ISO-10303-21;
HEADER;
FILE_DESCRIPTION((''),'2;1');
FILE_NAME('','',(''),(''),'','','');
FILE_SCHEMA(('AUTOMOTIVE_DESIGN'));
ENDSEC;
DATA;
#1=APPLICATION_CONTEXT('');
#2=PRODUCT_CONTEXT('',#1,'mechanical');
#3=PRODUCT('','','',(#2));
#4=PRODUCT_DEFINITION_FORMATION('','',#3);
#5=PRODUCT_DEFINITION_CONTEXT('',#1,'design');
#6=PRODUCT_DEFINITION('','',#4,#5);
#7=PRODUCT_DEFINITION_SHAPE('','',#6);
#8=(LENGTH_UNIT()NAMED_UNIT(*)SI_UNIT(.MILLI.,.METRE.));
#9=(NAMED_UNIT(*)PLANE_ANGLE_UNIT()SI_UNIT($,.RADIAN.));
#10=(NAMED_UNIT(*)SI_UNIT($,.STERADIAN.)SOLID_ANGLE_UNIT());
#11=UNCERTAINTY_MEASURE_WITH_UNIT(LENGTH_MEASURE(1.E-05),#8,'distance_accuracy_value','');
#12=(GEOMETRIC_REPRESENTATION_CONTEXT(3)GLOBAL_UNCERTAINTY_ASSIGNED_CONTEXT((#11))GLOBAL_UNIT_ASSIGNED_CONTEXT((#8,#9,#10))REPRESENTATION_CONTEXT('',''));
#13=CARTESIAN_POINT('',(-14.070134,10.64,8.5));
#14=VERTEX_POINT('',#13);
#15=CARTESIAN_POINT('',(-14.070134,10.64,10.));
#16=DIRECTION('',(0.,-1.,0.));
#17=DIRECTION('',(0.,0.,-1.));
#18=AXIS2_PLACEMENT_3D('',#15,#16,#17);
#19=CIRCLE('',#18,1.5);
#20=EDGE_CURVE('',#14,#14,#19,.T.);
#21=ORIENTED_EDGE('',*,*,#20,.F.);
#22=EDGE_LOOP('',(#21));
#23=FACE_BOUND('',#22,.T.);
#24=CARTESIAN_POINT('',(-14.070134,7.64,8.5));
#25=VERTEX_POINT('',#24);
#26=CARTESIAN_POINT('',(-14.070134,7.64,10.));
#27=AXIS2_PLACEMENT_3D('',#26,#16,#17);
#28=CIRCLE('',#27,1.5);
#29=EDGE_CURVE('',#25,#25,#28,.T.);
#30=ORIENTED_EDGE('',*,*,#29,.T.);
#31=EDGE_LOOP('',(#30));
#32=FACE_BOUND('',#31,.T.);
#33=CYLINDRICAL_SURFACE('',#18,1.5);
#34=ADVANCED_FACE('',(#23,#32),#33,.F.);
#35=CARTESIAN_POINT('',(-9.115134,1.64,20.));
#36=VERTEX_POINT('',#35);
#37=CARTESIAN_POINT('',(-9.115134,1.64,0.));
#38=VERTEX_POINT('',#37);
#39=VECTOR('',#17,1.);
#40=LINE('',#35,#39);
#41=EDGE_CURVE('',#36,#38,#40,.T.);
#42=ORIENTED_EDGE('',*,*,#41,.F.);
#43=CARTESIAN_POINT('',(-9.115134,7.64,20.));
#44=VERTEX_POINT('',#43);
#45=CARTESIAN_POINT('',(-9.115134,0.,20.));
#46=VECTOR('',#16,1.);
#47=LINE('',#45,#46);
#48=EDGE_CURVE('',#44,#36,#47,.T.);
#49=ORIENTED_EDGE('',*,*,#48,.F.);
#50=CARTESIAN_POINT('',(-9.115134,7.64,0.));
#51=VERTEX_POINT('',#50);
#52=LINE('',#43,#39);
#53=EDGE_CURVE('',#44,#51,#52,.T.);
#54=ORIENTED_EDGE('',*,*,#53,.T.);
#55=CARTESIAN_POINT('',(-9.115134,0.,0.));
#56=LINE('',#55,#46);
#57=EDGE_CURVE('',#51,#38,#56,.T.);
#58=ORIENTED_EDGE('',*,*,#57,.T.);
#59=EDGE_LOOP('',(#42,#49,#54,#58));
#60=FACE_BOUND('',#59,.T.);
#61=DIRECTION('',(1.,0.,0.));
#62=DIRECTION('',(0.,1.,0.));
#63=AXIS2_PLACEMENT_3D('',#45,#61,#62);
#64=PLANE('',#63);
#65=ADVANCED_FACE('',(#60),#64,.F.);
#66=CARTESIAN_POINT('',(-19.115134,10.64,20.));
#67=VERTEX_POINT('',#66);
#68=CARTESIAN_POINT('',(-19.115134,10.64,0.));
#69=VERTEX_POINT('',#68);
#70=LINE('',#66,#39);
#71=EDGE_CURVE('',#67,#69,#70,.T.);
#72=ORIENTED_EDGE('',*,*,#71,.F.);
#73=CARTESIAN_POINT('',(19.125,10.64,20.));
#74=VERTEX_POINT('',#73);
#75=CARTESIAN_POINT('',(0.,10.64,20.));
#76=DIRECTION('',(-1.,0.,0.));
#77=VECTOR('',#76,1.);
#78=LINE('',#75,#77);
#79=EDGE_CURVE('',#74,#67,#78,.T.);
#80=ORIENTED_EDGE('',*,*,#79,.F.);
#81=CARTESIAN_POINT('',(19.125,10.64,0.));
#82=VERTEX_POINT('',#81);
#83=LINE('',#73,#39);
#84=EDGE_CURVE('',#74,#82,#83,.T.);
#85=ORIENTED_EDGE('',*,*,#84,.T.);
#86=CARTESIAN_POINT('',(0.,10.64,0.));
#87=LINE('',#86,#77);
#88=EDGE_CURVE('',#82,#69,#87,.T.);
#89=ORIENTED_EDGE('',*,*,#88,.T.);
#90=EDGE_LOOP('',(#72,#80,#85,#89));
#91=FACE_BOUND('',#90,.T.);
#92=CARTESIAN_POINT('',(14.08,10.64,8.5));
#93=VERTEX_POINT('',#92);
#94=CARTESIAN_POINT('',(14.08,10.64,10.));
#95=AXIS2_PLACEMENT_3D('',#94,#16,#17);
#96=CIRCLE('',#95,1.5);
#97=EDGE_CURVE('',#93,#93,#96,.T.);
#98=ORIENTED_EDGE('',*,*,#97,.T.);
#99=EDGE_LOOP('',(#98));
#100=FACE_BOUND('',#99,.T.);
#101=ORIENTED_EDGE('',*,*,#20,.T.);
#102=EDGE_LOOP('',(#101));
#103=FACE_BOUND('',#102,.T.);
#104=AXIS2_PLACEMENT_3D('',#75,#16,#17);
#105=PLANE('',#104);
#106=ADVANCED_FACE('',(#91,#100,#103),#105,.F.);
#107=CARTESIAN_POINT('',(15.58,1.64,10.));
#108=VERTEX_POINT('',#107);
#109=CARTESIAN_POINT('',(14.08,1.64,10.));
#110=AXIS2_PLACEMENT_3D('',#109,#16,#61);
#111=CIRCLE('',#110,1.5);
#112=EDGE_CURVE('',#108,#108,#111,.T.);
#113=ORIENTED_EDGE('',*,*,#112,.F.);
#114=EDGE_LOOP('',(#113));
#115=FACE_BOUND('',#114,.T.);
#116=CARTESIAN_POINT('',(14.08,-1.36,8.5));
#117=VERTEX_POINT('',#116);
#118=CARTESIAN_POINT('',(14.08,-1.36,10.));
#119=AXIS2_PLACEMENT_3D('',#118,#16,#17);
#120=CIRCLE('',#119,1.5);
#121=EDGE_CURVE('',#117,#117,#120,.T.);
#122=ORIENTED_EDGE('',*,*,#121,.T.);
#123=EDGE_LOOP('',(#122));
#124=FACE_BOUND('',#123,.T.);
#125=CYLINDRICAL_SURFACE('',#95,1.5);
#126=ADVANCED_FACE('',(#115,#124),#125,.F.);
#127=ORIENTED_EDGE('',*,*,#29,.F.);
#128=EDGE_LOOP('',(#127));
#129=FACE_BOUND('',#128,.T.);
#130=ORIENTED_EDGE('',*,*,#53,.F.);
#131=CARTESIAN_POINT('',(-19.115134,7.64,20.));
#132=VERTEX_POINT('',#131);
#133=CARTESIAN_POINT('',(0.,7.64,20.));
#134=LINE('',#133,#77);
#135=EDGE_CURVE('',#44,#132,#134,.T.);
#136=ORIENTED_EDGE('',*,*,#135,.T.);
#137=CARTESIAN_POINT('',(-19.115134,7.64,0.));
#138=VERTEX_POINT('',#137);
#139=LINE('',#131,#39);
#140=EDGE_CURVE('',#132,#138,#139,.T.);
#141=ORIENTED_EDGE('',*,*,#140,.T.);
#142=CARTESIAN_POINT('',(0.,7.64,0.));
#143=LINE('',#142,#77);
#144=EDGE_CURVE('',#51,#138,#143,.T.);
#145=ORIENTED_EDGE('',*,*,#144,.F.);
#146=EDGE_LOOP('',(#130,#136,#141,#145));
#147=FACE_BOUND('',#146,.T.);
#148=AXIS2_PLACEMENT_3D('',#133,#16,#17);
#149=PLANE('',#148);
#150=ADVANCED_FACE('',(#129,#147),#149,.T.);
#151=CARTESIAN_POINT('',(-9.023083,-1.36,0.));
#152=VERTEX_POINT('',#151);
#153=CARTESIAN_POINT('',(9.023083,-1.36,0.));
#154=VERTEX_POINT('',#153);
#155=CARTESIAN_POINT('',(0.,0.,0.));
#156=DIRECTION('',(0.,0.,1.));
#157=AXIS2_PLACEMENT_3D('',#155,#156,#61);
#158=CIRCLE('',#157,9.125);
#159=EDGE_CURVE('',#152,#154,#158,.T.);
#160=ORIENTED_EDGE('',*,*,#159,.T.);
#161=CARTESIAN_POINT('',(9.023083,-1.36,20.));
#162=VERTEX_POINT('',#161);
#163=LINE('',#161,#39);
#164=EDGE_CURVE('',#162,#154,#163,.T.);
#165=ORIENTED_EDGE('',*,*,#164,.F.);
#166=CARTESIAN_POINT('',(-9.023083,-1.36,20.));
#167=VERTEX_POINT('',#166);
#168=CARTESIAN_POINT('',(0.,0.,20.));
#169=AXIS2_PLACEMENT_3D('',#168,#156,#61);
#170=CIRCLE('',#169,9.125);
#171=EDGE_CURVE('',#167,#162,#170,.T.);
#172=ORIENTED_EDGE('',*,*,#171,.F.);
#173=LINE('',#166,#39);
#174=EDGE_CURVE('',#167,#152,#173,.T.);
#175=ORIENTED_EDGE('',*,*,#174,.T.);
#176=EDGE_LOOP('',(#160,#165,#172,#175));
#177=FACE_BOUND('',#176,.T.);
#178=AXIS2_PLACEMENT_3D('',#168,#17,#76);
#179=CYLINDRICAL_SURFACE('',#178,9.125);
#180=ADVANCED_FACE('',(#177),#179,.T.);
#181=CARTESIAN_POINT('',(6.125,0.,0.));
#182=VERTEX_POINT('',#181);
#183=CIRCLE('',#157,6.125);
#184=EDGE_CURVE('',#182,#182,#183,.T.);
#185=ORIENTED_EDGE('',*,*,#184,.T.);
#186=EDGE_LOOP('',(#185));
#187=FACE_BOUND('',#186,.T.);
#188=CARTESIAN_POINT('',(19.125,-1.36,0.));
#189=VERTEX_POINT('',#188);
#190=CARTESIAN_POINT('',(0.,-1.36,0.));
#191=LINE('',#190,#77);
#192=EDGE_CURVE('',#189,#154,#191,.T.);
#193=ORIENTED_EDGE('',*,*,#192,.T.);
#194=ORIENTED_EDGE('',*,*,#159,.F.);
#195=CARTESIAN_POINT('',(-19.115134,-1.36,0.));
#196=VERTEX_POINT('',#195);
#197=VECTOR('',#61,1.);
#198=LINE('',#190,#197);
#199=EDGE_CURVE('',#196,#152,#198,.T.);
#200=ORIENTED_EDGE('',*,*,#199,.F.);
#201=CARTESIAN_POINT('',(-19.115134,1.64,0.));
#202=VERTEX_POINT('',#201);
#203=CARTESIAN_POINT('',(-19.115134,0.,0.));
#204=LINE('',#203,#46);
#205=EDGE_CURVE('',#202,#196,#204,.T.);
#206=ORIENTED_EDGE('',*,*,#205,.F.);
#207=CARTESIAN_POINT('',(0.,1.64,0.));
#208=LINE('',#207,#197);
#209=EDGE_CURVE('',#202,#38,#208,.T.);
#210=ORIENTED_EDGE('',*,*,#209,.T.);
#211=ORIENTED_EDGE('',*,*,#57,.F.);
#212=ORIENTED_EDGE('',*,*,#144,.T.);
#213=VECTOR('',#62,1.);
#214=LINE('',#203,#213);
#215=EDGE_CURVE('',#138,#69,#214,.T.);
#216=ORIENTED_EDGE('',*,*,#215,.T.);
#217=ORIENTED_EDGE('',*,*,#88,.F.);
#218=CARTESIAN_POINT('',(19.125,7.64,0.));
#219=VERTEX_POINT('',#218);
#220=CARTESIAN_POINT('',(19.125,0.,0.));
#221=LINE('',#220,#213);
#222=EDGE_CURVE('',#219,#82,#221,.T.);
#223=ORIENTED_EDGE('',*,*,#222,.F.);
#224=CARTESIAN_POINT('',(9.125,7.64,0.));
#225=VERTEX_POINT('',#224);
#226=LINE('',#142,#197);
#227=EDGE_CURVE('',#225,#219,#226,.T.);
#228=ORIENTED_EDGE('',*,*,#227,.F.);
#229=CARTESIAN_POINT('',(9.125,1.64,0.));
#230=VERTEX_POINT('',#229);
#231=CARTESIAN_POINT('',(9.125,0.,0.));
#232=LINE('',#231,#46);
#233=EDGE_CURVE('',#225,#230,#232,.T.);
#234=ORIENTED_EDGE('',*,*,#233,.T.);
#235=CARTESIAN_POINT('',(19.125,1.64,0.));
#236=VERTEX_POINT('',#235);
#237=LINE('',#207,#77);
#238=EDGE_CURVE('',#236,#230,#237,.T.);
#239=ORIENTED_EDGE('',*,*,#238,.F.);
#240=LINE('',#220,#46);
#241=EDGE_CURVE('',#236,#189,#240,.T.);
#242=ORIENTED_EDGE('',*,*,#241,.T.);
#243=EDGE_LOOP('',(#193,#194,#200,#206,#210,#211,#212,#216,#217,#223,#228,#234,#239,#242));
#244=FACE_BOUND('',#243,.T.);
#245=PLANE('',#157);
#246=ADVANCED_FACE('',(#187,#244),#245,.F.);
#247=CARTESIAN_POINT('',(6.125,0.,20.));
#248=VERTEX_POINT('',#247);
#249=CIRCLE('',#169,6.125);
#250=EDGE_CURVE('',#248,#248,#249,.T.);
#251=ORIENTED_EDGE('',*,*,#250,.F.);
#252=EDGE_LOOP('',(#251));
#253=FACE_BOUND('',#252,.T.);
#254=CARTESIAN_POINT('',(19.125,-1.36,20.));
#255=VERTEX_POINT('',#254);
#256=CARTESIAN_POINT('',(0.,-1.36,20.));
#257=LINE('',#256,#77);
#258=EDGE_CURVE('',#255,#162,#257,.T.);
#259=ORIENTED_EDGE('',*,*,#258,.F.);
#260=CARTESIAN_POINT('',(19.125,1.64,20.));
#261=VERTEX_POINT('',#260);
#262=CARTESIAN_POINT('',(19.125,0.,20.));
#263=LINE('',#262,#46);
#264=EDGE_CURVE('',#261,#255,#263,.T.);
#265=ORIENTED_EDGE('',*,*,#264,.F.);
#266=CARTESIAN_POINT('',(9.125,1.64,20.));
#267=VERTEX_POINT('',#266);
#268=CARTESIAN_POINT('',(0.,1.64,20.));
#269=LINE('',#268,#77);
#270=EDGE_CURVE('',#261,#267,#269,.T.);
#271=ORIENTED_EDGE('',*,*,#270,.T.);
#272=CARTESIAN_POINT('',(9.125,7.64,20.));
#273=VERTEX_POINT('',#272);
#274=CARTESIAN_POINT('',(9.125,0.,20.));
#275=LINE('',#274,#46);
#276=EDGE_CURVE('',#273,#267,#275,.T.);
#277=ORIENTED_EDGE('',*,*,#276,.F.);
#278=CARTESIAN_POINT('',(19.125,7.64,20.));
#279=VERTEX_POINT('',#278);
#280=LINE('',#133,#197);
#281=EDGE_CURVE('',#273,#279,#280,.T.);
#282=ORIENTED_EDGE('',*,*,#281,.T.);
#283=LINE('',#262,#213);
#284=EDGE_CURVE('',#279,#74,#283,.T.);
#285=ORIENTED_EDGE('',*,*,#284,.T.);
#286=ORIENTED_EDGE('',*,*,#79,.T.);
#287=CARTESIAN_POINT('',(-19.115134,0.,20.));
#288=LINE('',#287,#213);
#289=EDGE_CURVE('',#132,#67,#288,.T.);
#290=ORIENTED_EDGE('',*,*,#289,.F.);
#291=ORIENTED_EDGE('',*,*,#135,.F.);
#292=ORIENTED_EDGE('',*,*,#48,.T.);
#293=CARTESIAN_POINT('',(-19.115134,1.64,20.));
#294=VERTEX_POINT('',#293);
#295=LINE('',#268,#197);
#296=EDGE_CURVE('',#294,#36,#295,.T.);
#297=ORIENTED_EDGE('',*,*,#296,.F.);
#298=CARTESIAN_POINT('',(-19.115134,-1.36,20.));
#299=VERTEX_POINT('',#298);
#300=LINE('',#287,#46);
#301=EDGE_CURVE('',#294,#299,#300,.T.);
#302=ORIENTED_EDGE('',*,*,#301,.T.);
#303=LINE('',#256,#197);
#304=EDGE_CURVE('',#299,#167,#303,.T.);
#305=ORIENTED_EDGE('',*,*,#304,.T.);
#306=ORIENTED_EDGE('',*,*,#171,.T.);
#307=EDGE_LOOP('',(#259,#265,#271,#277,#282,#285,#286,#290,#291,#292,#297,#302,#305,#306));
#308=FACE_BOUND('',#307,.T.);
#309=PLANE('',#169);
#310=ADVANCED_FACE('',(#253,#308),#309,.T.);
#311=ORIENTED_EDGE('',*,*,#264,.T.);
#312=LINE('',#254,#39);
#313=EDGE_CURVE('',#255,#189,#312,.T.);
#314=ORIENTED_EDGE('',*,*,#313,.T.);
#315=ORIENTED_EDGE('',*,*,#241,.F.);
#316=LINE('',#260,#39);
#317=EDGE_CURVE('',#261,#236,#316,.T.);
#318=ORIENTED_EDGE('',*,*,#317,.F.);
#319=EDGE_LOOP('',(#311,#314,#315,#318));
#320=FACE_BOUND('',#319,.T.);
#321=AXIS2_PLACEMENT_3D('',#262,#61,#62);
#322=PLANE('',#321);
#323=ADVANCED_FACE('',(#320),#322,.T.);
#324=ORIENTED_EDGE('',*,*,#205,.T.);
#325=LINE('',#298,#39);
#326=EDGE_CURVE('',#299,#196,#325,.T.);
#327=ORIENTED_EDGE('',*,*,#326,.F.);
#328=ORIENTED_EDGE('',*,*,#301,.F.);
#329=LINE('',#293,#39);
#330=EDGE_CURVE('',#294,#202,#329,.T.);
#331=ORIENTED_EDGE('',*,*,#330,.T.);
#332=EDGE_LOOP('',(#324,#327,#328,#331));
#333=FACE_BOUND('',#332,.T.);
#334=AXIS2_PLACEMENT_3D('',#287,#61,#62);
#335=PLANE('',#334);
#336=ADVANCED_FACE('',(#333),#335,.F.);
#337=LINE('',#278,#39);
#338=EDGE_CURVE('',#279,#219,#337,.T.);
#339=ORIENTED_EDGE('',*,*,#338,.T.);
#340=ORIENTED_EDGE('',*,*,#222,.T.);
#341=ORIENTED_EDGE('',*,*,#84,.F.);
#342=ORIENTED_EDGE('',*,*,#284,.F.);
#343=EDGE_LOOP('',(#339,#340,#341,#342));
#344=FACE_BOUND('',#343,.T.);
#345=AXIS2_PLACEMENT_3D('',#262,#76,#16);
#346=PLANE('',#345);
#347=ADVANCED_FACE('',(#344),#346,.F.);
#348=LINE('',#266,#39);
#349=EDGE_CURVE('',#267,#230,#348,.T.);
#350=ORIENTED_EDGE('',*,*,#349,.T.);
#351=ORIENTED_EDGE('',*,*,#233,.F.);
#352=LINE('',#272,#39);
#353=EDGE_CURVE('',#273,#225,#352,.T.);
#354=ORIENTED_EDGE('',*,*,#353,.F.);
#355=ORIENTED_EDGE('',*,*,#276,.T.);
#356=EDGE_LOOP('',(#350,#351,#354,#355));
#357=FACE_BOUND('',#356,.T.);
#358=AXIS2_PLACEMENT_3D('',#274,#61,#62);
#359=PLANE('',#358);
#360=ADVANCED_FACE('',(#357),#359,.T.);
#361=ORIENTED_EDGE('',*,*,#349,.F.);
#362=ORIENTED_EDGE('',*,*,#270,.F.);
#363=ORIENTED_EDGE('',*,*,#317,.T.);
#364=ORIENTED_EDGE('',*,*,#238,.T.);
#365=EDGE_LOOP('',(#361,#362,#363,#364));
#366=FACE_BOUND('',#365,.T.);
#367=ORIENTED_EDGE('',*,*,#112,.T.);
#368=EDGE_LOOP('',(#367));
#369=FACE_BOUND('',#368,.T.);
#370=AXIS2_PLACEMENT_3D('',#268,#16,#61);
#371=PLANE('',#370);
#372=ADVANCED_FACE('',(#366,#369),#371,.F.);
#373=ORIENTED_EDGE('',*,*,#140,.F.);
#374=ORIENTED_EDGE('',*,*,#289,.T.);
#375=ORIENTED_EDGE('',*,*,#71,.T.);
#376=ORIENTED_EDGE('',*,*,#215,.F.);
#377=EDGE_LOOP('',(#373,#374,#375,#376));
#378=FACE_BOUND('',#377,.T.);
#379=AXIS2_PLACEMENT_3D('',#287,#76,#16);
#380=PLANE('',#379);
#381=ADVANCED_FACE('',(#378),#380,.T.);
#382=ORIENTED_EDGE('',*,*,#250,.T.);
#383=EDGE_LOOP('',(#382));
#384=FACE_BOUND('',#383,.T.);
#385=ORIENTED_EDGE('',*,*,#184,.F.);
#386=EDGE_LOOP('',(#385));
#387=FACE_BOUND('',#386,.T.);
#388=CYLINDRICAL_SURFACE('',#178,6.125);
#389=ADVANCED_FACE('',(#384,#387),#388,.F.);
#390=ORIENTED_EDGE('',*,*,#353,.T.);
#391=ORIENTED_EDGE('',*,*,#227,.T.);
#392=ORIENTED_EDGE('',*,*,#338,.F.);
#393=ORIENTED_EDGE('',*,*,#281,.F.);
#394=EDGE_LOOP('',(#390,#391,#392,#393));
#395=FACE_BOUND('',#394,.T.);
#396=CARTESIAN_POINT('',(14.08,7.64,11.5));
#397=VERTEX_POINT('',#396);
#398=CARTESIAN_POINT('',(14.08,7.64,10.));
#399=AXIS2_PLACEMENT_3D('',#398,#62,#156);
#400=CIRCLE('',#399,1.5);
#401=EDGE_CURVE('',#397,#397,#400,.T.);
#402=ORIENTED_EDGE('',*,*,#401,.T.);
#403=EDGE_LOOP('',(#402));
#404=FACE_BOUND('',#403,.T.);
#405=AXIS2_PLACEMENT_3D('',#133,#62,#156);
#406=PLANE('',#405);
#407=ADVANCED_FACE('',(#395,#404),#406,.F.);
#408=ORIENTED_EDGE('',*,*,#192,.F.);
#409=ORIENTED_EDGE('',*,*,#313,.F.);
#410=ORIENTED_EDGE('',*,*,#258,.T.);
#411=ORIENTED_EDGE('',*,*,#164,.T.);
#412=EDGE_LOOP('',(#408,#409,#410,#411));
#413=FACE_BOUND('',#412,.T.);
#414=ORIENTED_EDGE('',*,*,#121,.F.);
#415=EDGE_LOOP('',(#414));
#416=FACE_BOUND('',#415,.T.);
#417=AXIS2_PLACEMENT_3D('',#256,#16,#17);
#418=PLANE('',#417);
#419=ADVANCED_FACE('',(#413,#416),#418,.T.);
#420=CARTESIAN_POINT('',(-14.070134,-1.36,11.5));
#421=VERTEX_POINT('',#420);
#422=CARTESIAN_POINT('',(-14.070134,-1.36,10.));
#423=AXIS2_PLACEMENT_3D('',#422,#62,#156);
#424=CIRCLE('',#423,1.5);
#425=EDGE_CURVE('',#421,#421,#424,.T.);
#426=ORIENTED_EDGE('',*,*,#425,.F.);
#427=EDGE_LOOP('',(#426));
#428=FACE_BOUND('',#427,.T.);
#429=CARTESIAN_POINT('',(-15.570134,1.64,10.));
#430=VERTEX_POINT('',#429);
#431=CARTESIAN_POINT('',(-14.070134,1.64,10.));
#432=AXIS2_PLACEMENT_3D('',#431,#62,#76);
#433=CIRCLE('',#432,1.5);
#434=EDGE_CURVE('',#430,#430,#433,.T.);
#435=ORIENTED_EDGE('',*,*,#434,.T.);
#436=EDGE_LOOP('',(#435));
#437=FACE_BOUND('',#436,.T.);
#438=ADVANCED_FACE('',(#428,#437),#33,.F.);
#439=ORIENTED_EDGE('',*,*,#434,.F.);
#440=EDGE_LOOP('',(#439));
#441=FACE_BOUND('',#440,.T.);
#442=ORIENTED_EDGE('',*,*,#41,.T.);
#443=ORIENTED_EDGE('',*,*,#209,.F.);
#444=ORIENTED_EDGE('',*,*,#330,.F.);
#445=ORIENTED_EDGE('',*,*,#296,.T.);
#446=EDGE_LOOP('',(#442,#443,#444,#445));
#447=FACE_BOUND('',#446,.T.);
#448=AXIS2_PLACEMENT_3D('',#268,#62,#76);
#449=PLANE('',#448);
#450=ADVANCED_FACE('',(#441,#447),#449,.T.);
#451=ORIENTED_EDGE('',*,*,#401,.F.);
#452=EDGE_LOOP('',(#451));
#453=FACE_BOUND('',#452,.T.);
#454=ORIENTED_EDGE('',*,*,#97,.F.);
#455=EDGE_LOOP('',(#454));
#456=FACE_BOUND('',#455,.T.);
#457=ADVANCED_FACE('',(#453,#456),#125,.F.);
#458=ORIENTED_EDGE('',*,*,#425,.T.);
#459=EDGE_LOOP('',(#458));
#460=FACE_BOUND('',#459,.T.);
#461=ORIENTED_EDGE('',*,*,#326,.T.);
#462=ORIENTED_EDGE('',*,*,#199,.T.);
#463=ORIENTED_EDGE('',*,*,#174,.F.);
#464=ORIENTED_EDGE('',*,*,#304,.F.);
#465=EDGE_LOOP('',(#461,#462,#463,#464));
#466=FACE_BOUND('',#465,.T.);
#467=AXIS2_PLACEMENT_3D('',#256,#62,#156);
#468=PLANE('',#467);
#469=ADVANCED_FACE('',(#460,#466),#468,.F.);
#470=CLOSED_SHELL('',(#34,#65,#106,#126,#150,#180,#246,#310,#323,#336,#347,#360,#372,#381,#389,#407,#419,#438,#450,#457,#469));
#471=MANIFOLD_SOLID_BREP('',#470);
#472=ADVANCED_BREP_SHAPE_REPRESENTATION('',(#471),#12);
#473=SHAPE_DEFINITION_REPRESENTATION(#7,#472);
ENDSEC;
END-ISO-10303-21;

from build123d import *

# Parameters (mm, degrees)
ESQUISSE1_R                  = 6.125
BOSS_EXTRU_1_DEPTH           = 20
ENL_V_MAT_EXTRU_1_DEPTH      = 31.16232128
ENL_V_MAT_EXTRU_1_DEPTH_BACK = 31.16232128
ESQUISSE2_R                  = 1.5


with BuildPart() as part:
    # Esquisse1 → Boss.-Extru.1 (new body)
    with BuildSketch(Plane.XY):
        with BuildLine():
            ThreePointArc((-9.023082899, -1.36), (0, -9.125), (9.023082899, -1.36))
            Line((9.023082899, -1.36), (19.125, -1.36))
            Line((19.125, -1.36), (19.125, 1.64))
            Line((19.125, 1.64), (9.125, 1.64))
            Line((9.125, 1.64), (9.125, 7.64))
            Line((9.125, 7.64), (19.125, 7.64))
            Line((19.125, 7.64), (19.125, 10.64))
            Line((19.125, 10.64), (-19.11513432, 10.64))
            Line((-19.11513432, 10.64), (-19.11513432, 7.64))
            Line((-19.11513432, 7.64), (-9.11513432, 7.64))
            Line((-9.11513432, 7.64), (-9.11513432, 1.64))
            Line((-9.11513432, 1.64), (-19.11513432, 1.64))
            Line((-19.11513432, 1.64), (-19.11513432, -1.36))
            Line((-19.11513432, -1.36), (-9.023082899, -1.36))
        make_face()
        Circle(ESQUISSE1_R, mode=Mode.SUBTRACT)
    extrude(amount=BOSS_EXTRU_1_DEPTH)

    # Esquisse2 → Enlèv. mat.-Extru.1 (cut, two sides: drawn at the far end of the back side and taken through both)
    with BuildSketch(Plane.XZ.offset(1.36).offset(-ENL_V_MAT_EXTRU_1_DEPTH_BACK)):
        with Locations(Location((-14.07013432, 10, 0), (0, 0, 180))):
            Circle(ESQUISSE2_R)
        with Locations(Location((14.08, 10, 0), (0, 0, 270))):
            Circle(ESQUISSE2_R)
    extrude(amount=ENL_V_MAT_EXTRU_1_DEPTH + ENL_V_MAT_EXTRU_1_DEPTH_BACK, mode=Mode.SUBTRACT)


solid = part.part
